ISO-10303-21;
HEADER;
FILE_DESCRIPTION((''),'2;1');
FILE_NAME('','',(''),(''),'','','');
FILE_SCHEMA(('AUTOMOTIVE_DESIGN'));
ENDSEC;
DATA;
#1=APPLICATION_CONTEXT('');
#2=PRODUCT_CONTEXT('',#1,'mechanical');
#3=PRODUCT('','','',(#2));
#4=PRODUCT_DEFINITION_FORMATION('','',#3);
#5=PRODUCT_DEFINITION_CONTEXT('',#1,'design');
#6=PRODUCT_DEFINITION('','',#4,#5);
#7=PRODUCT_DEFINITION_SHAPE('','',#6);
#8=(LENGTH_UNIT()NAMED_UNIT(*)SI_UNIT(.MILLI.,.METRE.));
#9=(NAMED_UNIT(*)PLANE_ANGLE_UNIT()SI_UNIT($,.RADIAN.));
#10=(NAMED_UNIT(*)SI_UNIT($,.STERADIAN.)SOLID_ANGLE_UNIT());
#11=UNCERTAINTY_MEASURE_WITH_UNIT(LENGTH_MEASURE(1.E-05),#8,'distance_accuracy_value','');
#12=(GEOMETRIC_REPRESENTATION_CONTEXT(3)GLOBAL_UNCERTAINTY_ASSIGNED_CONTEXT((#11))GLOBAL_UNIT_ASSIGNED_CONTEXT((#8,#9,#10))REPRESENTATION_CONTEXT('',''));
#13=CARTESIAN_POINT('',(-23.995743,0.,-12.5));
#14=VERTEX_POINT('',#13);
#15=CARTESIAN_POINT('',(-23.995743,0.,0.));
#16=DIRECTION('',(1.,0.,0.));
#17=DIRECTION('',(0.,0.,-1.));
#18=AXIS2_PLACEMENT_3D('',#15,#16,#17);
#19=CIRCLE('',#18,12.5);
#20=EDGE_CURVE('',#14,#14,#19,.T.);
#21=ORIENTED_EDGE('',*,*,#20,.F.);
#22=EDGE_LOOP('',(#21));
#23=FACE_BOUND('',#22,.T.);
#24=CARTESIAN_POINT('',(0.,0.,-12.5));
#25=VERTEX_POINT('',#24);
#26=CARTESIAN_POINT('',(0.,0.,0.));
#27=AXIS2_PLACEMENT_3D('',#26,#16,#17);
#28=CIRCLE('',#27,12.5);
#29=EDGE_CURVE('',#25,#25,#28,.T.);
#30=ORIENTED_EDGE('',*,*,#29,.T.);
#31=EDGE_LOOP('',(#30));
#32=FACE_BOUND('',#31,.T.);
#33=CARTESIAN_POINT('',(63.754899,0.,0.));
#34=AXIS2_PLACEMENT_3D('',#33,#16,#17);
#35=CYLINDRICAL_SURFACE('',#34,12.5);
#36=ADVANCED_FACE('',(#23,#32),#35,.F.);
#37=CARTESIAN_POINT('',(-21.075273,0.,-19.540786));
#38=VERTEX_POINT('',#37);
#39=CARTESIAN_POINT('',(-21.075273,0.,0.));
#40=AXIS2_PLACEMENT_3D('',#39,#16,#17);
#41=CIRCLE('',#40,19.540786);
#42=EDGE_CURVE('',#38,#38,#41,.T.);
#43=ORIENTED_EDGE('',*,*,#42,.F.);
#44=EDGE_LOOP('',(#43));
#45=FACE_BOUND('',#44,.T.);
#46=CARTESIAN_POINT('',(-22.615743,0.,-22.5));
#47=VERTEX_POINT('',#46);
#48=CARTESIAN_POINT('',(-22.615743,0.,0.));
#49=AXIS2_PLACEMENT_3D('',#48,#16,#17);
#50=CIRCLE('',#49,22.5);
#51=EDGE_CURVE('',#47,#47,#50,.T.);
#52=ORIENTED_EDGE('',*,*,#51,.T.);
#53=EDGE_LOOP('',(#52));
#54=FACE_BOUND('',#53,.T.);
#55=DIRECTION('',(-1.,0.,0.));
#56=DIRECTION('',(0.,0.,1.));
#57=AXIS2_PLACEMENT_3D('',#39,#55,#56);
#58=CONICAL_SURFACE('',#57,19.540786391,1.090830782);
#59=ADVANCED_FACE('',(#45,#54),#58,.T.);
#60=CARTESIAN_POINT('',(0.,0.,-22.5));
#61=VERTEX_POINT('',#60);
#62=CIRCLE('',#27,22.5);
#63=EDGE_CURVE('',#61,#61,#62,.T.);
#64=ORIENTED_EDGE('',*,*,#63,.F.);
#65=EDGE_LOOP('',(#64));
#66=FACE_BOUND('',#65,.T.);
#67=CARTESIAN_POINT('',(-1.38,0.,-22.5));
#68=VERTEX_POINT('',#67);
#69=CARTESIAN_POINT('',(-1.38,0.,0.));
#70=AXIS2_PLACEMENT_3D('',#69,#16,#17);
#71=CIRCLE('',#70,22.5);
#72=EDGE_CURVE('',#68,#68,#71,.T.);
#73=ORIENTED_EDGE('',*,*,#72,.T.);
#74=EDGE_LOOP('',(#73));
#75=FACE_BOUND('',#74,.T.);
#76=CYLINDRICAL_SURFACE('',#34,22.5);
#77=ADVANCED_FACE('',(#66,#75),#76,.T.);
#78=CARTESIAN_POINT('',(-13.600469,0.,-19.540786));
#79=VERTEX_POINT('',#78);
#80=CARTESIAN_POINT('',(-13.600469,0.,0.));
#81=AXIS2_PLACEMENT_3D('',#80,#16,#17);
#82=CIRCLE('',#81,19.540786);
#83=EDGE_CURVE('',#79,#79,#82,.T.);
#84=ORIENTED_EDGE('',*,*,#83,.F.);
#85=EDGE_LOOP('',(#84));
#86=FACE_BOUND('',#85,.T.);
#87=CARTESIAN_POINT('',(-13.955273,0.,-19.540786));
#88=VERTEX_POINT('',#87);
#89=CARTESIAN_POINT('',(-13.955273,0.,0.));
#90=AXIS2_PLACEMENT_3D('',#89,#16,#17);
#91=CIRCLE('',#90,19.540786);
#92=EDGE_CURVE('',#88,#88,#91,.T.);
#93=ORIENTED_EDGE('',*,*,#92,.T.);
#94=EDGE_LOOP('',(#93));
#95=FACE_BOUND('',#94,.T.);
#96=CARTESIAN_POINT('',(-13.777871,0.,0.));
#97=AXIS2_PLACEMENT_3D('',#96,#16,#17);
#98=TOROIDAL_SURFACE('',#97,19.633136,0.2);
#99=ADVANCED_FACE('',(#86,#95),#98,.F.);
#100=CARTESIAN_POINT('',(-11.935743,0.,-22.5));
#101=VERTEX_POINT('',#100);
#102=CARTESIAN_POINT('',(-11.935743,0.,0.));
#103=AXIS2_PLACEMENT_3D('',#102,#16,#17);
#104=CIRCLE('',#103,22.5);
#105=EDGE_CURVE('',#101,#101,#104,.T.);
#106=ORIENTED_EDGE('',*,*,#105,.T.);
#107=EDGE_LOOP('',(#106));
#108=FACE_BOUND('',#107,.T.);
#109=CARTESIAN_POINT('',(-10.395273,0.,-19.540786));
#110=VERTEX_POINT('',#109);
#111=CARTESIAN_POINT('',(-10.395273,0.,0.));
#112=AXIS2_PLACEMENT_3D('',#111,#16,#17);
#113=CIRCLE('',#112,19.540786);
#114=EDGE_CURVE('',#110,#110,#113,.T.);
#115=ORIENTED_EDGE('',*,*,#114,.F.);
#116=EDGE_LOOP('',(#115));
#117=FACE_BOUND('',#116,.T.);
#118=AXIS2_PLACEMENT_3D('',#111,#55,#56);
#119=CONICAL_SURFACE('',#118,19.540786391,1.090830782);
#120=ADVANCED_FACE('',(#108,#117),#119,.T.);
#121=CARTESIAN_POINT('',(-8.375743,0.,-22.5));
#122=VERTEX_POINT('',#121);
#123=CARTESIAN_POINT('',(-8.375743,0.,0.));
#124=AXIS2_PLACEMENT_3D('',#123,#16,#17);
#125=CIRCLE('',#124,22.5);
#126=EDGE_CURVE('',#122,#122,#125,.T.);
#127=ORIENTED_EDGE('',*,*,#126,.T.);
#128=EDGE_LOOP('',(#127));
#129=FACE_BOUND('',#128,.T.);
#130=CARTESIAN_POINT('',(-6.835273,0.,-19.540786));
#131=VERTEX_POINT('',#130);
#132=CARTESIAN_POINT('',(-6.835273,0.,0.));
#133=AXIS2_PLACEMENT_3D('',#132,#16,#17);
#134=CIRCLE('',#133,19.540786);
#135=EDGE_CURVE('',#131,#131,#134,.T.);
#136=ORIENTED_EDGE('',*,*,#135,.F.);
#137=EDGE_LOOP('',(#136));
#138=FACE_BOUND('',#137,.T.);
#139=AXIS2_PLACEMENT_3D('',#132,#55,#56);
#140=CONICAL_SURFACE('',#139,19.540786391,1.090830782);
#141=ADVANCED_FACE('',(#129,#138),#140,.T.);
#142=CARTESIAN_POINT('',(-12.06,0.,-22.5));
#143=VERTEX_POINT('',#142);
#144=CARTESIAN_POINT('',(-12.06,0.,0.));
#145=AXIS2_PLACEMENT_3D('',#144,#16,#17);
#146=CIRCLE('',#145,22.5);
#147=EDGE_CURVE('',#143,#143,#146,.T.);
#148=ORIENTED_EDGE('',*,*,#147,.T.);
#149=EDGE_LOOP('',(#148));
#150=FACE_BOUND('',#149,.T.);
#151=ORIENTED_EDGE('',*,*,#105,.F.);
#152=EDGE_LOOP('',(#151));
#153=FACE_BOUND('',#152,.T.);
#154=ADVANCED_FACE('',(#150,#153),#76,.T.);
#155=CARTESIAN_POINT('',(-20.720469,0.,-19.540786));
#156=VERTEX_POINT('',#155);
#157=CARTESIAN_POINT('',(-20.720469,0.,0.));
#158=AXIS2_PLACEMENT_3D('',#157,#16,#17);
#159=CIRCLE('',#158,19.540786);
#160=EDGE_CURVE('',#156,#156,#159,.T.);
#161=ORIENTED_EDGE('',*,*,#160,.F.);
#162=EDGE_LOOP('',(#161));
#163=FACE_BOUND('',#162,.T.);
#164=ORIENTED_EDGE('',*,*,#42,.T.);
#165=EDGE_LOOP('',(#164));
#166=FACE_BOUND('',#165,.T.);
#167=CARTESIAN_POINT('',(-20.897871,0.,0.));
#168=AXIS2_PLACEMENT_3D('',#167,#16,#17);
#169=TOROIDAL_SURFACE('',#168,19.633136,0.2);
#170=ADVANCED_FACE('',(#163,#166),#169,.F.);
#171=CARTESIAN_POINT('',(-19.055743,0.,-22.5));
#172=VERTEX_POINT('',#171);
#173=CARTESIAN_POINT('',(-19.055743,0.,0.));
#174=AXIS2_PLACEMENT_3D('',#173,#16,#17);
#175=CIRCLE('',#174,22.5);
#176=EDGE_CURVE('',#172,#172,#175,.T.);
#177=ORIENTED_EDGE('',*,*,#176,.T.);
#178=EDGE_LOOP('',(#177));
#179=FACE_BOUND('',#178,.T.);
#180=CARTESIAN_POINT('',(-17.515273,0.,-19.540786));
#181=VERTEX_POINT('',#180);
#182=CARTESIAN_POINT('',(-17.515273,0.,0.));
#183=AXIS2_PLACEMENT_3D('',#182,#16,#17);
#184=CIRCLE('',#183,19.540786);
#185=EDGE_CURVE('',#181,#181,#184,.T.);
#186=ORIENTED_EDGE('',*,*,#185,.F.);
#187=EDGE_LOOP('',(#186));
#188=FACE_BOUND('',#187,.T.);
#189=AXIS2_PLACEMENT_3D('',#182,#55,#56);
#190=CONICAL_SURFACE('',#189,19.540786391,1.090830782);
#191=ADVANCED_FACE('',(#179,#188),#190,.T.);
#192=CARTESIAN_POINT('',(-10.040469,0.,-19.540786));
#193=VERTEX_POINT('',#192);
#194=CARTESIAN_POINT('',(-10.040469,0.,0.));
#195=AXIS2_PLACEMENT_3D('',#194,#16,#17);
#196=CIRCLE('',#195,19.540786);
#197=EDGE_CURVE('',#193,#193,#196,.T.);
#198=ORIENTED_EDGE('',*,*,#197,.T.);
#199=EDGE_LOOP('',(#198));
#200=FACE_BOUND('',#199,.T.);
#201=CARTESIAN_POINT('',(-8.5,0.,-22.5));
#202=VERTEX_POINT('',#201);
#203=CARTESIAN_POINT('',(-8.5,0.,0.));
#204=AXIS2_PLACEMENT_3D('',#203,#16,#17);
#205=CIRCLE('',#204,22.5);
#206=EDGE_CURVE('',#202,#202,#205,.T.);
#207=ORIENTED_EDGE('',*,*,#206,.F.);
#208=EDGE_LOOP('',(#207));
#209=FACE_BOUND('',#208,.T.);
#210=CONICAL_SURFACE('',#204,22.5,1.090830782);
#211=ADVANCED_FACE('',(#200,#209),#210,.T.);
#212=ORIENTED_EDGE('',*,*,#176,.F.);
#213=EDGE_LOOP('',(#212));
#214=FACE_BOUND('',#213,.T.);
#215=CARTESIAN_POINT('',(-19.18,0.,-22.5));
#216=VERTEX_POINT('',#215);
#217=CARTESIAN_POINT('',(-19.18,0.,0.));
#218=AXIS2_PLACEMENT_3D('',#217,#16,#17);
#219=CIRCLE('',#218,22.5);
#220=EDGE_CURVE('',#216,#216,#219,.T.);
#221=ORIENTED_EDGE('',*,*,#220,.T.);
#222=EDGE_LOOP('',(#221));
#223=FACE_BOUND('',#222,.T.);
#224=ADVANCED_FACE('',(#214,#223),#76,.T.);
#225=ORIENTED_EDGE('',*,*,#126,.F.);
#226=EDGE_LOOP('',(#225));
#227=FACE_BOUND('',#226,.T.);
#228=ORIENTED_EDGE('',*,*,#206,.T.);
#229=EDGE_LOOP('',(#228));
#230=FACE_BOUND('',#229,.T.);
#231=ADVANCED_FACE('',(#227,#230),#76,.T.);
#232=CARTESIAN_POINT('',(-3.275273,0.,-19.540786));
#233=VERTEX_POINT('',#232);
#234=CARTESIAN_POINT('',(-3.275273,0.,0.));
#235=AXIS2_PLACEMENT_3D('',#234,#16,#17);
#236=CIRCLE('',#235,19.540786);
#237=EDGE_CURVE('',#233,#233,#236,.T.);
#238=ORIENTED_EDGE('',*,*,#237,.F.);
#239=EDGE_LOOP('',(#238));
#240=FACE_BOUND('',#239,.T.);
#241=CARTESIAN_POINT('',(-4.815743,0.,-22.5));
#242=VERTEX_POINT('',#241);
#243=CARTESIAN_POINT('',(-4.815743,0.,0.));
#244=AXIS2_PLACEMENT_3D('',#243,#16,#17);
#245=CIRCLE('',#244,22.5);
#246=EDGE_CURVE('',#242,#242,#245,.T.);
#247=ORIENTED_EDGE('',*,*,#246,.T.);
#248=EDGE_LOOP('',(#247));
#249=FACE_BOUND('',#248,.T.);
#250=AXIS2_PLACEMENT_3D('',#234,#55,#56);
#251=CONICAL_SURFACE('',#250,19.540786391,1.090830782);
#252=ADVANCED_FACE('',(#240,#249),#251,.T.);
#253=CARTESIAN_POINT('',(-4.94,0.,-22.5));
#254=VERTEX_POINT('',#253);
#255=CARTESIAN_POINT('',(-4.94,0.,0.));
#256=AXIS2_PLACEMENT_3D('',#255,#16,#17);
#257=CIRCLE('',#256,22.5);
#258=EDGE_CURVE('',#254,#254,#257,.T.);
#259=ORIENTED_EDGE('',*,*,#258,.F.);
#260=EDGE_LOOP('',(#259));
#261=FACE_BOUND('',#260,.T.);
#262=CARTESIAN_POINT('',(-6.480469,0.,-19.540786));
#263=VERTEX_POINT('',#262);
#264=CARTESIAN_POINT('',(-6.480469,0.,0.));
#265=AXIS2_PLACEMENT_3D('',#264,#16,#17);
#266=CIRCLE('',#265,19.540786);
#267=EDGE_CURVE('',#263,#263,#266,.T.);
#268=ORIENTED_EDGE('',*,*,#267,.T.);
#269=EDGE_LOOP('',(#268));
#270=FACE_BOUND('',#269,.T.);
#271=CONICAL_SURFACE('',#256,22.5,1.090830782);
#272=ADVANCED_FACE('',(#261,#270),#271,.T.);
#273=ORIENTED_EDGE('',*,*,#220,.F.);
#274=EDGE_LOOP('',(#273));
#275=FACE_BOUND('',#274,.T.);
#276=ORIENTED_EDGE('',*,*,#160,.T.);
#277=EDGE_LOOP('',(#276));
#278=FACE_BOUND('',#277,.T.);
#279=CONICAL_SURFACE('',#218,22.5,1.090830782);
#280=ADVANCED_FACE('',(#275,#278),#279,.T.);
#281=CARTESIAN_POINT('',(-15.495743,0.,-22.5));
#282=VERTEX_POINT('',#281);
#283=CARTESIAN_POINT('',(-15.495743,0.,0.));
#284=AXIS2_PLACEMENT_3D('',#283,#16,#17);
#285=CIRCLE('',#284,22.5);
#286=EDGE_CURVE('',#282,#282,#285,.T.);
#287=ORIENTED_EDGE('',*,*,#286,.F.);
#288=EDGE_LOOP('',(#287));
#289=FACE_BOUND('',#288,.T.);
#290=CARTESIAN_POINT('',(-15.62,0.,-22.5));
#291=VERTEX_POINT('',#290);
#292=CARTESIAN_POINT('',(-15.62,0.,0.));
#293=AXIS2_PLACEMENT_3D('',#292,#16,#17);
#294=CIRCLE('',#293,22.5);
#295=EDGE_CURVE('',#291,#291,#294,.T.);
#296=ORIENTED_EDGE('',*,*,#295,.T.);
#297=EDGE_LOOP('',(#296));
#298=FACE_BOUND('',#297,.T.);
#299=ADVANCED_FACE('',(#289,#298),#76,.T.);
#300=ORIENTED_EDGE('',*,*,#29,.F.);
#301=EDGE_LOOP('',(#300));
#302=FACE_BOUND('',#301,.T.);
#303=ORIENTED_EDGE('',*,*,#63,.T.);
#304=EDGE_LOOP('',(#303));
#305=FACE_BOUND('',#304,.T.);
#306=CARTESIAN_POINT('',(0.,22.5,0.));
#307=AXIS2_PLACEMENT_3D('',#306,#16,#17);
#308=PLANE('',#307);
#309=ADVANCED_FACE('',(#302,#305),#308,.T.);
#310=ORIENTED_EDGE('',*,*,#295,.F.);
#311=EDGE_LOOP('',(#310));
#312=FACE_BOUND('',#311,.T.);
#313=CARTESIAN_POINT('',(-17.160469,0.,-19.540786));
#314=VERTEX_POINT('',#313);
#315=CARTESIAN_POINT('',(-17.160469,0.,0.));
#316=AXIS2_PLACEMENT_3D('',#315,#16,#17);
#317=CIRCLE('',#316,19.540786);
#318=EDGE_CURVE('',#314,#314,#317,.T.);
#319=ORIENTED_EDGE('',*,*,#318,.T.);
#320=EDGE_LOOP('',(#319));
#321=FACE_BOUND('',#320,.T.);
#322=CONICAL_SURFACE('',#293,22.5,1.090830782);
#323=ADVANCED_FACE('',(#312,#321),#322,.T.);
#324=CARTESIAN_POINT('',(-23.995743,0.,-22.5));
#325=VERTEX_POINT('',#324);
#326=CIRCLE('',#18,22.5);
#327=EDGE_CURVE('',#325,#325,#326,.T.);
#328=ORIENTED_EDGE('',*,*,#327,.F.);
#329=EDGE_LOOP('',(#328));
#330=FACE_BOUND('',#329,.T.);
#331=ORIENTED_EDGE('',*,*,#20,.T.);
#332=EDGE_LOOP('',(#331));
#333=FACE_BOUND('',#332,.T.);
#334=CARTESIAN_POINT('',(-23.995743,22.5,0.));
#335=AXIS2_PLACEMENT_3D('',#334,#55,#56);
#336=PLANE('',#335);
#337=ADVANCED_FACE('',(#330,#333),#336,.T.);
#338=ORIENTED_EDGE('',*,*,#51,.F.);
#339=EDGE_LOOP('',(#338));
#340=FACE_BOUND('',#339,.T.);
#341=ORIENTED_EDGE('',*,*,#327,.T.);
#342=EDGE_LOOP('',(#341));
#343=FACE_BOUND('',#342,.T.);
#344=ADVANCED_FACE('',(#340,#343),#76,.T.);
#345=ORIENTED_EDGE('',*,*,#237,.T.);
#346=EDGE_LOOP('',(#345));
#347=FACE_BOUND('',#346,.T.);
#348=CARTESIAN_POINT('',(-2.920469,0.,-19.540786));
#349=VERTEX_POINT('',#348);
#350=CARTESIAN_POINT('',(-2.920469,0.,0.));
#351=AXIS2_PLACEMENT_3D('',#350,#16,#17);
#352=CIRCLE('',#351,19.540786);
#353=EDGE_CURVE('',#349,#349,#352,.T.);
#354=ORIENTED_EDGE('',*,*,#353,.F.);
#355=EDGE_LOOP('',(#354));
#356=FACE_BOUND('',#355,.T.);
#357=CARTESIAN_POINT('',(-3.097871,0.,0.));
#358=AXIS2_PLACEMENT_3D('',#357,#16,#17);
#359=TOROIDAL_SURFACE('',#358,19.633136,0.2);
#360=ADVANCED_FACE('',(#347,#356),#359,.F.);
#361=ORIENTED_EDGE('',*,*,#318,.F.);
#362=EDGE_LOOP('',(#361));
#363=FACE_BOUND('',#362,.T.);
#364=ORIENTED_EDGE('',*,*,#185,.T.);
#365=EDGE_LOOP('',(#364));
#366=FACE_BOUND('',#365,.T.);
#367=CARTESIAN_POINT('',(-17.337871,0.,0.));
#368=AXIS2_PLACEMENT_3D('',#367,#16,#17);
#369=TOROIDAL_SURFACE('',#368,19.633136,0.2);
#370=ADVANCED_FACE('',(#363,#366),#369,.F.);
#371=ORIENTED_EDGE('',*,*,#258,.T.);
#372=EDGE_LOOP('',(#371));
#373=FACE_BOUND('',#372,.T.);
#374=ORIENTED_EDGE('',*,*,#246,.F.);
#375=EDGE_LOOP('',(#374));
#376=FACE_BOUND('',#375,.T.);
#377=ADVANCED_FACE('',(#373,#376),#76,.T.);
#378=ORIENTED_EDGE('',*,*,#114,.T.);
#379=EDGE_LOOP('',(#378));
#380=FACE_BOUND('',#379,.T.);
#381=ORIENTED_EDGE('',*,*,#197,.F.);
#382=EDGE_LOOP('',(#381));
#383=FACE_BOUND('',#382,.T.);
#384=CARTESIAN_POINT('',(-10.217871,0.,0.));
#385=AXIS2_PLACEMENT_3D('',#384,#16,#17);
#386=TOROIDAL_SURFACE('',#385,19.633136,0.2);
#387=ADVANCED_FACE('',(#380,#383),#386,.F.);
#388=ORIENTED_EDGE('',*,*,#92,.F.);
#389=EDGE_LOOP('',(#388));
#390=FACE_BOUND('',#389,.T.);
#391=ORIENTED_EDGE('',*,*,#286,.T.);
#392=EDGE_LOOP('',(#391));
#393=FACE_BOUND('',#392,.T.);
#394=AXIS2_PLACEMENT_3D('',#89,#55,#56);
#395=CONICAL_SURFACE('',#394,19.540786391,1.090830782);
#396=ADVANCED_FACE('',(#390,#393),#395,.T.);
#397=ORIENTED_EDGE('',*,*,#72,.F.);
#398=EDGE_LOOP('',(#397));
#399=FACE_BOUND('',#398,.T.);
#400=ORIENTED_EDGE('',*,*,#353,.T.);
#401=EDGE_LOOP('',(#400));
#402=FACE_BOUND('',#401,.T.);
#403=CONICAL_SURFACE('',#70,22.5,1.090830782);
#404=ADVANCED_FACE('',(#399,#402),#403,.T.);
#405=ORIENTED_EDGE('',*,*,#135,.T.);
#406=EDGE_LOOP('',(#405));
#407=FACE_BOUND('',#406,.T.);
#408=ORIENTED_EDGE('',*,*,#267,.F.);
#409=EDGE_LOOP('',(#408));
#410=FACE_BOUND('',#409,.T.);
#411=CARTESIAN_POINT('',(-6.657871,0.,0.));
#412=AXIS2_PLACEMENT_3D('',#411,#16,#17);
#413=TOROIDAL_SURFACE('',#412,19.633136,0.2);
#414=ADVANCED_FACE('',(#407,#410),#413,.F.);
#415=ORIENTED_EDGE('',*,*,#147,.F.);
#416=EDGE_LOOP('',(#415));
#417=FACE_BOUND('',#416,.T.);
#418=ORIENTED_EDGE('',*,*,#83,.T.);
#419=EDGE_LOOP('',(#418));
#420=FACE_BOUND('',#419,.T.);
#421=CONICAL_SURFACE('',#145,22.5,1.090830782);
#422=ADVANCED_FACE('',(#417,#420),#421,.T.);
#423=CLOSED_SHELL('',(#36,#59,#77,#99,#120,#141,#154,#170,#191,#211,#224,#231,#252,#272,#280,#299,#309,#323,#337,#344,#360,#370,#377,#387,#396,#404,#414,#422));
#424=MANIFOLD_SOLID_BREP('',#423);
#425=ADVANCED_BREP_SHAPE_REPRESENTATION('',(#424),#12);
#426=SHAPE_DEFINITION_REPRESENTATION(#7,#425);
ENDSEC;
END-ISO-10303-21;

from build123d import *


with BuildPart() as part:
    # Эскиз1 → Повернуть1 (revolve)
    with BuildSketch(Plane.XY):
        with BuildLine():
            Line((0, 12.5), (-23.995742534, 12.5))
            Line((-23.995742534, 12.5), (-23.995742534, 22.5))
            Line((-23.995742534, 22.5), (-22.615742534, 22.5))
            Line((-22.615742534, 22.5), (-21.075273433, 19.540786391))
            ThreePointArc((-21.075273433, 19.540786391), (-20.897871267, 19.433136114), (-20.7204691, 19.540786391))
            Line((-20.7204691, 19.540786391), (-19.18, 22.5))
            Line((-19.18, 22.5), (-19.055742534, 22.5))
            Line((-19.055742534, 22.5), (-17.515273433, 19.540786391))
            ThreePointArc((-17.515273433, 19.540786391), (-17.337871267, 19.433136114), (-17.1604691, 19.540786391))
            Line((-17.1604691, 19.540786391), (-15.62, 22.5))
            Line((-15.62, 22.5), (-15.495742534, 22.5))
            Line((-15.495742534, 22.5), (-13.955273433, 19.540786391))
            ThreePointArc((-13.955273433, 19.540786391), (-13.777871267, 19.433136114), (-13.6004691, 19.540786391))
            Line((-13.6004691, 19.540786391), (-12.06, 22.5))
            Line((-12.06, 22.5), (-11.935742534, 22.5))
            Line((-11.935742534, 22.5), (-10.395273433, 19.540786391))
            ThreePointArc((-10.395273433, 19.540786391), (-10.217871267, 19.433136114), (-10.0404691, 19.540786391))
            Line((-10.0404691, 19.540786391), (-8.5, 22.5))
            Line((-8.5, 22.5), (-8.375742534, 22.5))
            Line((-8.375742534, 22.5), (-6.835273433, 19.540786391))
            ThreePointArc((-6.835273433, 19.540786391), (-6.657871267, 19.433136114), (-6.4804691, 19.540786391))
            Line((-6.4804691, 19.540786391), (-4.94, 22.5))
            Line((-4.94, 22.5), (-4.815742534, 22.5))
            Line((-4.815742534, 22.5), (-3.275273433, 19.540786391))
            ThreePointArc((-3.275273433, 19.540786391), (-3.097871267, 19.433136114), (-2.9204691, 19.540786391))
            Line((-2.9204691, 19.540786391), (-1.38, 22.5))
            Line((-1.38, 22.5), (0, 22.5))
            Line((0, 22.5), (0, 12.5))
        make_face()
    revolve(axis=Axis((63.754899424, 0, 0), (-1, 0, 0)))


solid = part.part
